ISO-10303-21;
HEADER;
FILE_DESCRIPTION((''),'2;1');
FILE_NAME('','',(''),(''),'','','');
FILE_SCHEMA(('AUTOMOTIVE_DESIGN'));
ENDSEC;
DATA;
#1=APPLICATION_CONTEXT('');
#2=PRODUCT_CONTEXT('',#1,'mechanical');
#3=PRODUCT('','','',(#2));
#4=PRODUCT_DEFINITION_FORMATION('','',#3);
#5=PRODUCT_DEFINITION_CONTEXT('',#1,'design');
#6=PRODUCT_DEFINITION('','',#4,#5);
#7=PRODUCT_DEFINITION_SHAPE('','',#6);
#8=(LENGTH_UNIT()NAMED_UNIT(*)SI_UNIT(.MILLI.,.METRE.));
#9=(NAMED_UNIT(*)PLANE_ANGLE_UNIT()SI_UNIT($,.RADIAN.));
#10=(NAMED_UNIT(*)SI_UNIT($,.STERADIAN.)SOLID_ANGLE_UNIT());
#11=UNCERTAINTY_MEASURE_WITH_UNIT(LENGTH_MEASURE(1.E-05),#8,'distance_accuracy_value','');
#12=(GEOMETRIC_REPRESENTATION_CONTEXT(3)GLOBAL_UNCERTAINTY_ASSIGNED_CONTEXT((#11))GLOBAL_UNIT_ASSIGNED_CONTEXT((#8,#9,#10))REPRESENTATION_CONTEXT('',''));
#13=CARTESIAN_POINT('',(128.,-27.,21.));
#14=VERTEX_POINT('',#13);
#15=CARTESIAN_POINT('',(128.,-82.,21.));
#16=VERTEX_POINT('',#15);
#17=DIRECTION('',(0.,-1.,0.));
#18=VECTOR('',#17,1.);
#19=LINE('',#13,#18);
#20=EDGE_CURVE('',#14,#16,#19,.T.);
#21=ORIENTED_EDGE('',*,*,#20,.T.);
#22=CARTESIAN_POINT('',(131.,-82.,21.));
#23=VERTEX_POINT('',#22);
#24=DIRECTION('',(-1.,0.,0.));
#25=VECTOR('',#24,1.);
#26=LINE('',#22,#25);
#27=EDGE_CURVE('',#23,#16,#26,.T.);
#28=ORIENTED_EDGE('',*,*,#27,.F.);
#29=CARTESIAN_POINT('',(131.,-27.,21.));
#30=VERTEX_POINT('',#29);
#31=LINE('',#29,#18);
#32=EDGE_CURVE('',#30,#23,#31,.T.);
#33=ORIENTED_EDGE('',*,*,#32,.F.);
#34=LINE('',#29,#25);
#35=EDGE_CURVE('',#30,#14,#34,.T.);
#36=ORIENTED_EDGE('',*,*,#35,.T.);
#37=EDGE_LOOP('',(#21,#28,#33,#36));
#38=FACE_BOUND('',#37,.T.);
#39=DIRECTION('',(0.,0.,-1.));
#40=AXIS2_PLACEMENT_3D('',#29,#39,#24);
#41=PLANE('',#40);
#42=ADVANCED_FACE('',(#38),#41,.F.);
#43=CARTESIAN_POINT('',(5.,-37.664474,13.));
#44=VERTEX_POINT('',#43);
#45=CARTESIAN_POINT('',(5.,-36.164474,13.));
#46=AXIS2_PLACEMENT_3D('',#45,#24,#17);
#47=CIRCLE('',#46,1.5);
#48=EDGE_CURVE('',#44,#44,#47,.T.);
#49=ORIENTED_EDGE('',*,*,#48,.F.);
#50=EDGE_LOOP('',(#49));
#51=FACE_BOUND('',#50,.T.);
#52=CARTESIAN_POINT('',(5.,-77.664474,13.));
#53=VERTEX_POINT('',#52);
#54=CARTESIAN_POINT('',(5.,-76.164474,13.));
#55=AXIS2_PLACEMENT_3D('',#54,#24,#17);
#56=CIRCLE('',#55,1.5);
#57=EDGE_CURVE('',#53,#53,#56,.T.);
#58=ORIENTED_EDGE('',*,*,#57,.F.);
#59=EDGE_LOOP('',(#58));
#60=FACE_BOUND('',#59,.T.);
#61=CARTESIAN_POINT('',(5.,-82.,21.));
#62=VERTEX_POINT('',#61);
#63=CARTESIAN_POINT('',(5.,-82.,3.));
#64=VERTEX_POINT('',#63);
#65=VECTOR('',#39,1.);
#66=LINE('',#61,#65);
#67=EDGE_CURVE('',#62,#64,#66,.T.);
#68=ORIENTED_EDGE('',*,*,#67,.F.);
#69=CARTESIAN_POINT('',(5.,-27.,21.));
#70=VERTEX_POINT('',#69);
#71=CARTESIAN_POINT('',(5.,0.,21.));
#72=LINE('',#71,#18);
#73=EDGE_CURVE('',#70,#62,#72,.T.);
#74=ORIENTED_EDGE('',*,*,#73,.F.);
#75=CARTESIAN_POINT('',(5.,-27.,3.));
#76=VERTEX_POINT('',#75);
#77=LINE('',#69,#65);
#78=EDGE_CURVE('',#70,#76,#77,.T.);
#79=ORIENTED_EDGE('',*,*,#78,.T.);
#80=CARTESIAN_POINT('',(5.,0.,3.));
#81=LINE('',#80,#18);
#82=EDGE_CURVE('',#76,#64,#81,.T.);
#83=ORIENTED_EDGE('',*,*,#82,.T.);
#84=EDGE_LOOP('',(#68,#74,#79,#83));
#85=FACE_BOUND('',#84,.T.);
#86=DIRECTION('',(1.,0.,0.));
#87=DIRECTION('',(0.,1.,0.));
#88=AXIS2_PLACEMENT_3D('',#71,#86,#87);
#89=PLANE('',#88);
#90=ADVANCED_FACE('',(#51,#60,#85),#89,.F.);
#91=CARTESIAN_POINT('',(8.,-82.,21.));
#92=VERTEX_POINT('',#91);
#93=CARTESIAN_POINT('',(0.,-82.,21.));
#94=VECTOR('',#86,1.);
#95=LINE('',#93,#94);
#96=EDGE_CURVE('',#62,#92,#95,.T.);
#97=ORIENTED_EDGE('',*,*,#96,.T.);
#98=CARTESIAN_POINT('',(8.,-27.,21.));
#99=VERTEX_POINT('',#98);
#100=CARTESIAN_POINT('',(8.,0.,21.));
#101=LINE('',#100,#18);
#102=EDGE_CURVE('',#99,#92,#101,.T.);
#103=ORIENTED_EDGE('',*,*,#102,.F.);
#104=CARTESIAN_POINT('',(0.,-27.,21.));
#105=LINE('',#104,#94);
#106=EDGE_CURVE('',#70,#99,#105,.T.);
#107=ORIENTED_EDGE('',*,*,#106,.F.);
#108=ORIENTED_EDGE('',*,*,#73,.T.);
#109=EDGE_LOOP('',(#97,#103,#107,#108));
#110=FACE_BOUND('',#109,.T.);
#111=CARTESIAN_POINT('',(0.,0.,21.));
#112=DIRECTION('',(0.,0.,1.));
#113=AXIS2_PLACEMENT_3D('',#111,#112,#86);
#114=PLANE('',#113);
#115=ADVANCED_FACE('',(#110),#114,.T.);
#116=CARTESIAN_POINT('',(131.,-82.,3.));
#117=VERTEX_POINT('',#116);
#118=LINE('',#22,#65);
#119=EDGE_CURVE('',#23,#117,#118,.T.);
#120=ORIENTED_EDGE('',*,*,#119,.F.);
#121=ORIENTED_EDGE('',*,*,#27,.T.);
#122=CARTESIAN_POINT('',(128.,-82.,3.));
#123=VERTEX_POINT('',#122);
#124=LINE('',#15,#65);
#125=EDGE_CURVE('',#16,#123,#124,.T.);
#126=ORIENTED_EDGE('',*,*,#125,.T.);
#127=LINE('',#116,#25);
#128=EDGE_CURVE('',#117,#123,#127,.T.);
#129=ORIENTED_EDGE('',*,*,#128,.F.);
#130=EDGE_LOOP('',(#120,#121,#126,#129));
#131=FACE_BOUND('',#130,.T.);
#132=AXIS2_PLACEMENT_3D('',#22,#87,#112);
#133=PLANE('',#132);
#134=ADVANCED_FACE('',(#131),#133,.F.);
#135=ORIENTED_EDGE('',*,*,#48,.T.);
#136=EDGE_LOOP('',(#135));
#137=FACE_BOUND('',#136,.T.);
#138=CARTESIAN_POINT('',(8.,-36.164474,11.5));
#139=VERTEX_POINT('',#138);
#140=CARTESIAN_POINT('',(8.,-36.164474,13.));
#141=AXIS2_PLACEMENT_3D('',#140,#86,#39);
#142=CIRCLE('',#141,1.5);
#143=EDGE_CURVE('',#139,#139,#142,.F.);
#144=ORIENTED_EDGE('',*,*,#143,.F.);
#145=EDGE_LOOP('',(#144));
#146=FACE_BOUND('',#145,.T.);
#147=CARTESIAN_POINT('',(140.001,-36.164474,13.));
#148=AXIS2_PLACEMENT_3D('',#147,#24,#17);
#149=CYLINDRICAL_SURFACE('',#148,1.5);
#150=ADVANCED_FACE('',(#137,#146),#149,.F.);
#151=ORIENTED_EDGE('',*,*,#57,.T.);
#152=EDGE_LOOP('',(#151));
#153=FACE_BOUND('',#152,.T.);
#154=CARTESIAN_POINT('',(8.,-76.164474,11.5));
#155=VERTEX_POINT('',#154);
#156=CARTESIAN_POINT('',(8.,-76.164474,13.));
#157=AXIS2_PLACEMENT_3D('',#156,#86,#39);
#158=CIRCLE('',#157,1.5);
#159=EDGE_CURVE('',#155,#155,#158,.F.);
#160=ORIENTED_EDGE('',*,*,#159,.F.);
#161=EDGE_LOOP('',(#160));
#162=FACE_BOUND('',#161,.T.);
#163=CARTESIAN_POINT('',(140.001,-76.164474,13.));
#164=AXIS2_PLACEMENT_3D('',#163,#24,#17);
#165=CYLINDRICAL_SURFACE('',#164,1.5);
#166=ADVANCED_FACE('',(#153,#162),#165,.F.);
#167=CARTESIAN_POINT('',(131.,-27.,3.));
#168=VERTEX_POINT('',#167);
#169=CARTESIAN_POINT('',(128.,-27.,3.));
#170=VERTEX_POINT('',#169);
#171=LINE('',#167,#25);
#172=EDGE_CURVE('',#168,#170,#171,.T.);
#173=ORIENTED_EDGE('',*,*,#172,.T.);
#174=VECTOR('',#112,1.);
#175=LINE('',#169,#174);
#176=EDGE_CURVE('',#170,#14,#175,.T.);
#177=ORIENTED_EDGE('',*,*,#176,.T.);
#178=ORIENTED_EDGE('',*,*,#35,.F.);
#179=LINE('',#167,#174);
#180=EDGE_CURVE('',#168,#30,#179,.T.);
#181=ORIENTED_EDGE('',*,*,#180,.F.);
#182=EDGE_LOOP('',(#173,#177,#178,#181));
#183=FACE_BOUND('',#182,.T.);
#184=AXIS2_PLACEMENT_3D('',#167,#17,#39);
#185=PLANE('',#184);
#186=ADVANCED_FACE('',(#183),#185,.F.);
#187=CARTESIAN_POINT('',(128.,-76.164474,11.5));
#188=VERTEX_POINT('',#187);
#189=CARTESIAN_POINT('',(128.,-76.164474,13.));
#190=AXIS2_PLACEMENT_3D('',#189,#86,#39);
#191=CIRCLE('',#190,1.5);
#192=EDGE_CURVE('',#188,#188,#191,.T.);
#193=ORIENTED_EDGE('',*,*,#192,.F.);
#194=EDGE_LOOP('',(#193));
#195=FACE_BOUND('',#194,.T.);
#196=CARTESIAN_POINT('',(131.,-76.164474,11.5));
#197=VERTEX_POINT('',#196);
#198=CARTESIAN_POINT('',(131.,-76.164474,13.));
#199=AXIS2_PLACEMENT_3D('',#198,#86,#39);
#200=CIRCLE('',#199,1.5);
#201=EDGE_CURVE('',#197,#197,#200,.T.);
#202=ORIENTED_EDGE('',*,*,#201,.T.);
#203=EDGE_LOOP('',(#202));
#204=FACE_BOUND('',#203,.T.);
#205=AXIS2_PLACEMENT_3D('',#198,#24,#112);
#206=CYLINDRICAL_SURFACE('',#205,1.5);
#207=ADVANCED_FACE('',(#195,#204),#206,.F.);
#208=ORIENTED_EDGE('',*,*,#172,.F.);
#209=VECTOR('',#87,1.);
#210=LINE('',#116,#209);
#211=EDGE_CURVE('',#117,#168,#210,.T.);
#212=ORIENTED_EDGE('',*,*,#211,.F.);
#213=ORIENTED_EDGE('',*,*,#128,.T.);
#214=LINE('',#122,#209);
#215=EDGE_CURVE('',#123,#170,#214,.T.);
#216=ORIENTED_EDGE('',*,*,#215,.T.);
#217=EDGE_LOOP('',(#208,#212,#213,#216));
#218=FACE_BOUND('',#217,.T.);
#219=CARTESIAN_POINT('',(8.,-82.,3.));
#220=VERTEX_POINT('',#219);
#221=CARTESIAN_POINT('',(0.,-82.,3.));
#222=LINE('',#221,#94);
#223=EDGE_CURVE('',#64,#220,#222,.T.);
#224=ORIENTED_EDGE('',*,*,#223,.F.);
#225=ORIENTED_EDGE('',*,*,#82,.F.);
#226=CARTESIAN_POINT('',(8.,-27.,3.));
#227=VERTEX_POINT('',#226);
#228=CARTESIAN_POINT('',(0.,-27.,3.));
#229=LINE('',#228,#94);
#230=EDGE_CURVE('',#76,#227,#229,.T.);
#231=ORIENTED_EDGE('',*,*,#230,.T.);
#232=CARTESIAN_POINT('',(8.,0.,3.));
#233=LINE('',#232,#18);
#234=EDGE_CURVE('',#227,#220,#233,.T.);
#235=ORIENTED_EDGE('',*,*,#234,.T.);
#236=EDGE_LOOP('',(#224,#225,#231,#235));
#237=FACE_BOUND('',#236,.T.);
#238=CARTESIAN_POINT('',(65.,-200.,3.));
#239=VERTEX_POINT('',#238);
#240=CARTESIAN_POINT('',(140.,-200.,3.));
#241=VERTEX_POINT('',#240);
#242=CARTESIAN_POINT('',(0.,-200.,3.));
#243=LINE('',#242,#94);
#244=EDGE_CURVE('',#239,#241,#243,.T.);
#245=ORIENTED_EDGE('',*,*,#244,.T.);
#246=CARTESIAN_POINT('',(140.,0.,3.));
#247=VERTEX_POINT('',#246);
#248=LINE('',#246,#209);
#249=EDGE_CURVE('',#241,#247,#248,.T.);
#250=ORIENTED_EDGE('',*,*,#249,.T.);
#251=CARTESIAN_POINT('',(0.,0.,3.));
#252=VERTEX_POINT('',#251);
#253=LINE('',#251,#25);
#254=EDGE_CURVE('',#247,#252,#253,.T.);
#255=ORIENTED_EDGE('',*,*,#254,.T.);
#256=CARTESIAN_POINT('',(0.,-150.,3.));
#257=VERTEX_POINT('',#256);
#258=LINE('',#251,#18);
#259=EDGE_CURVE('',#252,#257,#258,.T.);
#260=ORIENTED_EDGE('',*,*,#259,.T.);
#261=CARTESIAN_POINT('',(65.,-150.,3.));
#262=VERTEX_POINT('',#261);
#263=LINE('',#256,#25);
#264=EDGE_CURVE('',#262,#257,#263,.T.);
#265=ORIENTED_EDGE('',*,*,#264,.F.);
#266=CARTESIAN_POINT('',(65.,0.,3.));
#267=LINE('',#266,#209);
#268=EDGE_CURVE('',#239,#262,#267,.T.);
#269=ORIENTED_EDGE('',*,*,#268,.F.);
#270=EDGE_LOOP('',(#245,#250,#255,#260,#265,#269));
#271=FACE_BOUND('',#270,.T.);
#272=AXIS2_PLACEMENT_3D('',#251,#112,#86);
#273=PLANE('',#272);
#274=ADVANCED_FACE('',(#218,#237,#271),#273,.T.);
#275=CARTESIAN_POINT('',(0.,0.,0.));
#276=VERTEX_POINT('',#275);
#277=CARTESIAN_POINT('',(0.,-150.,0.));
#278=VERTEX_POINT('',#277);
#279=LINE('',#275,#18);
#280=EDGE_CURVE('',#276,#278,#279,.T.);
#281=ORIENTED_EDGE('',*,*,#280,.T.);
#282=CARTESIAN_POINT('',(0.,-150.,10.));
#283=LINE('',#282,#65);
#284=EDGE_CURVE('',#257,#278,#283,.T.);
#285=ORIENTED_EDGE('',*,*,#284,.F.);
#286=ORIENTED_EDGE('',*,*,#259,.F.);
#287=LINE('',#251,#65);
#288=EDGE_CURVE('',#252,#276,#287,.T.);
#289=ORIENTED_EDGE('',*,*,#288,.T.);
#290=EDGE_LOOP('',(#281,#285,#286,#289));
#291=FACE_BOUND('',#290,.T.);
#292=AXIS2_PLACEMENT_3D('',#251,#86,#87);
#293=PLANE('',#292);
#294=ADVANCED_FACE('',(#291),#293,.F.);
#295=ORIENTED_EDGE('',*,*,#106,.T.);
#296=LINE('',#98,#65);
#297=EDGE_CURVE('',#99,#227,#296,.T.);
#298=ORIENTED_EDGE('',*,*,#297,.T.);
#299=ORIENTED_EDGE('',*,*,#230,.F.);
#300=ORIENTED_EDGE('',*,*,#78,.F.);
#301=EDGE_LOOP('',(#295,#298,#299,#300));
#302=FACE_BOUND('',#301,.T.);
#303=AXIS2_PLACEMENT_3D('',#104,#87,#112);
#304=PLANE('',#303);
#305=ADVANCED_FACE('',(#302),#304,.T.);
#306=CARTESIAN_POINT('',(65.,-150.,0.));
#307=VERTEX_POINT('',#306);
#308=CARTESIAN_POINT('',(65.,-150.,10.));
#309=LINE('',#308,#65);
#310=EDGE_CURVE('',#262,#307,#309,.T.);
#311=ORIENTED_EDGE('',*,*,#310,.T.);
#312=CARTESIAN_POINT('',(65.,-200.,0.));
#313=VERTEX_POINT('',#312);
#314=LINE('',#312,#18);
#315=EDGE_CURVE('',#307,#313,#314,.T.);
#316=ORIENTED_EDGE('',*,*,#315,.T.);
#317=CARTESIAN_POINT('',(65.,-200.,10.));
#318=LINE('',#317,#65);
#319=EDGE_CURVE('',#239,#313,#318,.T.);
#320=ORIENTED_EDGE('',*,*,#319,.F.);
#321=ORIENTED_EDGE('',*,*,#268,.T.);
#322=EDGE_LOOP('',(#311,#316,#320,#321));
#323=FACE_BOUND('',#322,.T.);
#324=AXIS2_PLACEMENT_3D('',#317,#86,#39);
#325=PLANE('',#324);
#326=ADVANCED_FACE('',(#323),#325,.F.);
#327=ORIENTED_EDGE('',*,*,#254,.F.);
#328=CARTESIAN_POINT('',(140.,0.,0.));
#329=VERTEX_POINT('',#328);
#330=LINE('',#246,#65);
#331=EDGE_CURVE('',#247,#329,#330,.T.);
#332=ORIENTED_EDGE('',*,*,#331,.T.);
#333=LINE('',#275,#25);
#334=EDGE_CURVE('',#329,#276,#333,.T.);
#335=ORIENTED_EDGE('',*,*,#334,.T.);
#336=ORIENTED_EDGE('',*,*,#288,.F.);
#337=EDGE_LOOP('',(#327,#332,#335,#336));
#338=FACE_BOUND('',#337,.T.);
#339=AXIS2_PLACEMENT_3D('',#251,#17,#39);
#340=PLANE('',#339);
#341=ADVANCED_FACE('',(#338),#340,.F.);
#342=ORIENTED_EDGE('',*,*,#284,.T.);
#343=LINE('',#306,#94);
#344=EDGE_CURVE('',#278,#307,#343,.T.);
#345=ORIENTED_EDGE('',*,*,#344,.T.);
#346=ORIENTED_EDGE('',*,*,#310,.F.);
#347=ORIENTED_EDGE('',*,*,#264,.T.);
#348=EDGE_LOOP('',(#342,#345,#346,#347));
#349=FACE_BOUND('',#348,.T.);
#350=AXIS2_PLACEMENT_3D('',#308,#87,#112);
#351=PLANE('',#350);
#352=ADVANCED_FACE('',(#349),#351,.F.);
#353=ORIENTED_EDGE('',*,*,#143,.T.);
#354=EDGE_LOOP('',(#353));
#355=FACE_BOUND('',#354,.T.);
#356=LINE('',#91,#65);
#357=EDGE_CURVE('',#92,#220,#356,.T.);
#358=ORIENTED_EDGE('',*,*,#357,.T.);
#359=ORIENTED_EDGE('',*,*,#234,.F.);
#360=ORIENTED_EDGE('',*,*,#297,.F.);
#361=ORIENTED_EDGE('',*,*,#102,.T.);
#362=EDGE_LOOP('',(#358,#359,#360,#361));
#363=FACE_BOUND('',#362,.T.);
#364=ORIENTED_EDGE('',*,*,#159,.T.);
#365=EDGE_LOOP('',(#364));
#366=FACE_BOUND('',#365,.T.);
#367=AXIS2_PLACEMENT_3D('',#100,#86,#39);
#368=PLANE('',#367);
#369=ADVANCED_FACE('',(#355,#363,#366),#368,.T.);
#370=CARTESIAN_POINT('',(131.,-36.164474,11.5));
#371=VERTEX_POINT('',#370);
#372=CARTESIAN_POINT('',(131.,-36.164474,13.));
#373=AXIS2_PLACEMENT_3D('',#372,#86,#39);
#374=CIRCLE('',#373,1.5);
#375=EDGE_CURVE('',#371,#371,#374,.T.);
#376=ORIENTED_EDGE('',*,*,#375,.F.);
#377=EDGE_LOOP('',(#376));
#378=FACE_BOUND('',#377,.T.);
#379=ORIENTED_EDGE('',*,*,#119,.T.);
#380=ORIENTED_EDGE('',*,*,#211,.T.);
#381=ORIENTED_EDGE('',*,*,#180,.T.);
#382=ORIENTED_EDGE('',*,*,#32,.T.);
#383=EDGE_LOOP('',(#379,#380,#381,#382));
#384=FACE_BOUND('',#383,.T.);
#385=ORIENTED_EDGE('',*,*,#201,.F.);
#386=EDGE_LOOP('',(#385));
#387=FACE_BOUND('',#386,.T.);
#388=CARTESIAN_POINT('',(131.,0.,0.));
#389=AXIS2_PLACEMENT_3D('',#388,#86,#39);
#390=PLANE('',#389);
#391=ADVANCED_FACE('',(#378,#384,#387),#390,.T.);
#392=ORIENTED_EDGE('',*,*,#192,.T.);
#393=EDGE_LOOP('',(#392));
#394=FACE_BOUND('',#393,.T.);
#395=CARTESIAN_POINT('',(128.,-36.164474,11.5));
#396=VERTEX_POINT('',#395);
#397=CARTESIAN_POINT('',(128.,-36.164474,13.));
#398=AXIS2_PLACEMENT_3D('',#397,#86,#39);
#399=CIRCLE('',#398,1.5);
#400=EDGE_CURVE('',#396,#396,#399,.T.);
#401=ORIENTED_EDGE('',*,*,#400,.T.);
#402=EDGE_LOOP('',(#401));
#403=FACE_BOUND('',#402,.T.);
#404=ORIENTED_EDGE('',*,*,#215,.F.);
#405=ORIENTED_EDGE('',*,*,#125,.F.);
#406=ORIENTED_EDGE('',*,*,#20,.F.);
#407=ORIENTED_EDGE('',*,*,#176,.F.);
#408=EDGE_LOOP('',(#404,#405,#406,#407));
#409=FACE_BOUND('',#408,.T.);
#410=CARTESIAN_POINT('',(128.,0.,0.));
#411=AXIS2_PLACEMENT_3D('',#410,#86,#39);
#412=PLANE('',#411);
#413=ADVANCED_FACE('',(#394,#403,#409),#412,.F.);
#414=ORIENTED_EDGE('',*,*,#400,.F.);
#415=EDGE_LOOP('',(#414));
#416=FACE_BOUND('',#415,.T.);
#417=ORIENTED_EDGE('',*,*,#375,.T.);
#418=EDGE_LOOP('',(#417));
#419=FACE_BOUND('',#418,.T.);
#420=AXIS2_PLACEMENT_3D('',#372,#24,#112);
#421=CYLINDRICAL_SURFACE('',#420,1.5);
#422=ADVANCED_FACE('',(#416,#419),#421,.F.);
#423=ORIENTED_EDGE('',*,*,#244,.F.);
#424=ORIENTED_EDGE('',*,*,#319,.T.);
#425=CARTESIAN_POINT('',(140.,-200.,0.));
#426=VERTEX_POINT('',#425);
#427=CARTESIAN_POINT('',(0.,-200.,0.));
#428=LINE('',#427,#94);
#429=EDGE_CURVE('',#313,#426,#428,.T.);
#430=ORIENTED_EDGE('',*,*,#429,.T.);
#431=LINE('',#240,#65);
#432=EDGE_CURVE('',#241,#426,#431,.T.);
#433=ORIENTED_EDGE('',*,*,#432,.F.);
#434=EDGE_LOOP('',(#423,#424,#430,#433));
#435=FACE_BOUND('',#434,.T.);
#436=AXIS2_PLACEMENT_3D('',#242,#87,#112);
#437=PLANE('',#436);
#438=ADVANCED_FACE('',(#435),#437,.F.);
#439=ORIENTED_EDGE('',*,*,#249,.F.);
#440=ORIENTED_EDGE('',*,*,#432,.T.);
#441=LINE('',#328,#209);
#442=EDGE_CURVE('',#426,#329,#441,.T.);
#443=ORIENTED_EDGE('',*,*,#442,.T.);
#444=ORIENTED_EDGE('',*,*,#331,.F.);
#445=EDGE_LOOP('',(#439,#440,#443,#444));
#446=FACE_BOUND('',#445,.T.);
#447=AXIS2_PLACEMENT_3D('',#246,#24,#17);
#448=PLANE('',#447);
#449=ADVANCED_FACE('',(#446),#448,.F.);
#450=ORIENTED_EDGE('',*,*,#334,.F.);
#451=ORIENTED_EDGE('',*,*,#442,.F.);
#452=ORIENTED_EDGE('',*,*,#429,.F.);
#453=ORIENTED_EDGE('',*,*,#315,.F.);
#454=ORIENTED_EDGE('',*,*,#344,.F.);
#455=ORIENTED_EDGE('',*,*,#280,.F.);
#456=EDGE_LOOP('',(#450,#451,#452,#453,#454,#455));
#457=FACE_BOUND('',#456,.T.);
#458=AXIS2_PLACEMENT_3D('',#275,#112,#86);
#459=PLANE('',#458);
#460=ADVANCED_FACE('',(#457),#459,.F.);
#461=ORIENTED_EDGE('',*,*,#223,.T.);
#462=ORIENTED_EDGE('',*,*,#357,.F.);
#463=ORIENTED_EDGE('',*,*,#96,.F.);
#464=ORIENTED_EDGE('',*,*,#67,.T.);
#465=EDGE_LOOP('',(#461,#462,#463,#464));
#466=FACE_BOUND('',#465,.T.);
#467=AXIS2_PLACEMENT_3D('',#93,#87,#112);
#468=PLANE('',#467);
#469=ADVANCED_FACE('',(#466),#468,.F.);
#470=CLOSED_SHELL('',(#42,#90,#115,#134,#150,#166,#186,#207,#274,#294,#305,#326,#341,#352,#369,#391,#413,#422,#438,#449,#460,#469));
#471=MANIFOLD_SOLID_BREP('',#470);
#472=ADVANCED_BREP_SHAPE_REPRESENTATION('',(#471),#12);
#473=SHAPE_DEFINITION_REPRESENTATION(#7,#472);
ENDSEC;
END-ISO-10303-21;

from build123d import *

# Parameters (mm, degrees)
SKETCH_1_W          = 140
SKETCH_1_H          = 200
EXTRUDE_1_DEPTH     = 3
SKETCH_2_W          = 65
SKETCH_2_H          = 50
CUT_EXTRUDE_1_DEPTH = 10
SKETCH_4_W          = 3
SKETCH_4_H          = 55
EXTRUDE_4_DEPTH     = 18
CUT_EXTRUDE_2_REACH = 244.211
SKETCH_5_R          = 1.5
SKETCH_6_W          = 18
SKETCH_6_H          = 55
SKETCH_6_R          = 1.5
EXTRUDE_6_DEPTH     = 3


with BuildPart() as part:
    # 草图1 → 凸台-拉伸1 (new body)
    with BuildSketch(Plane.XY):
        with Locations((70, -100)):
            Rectangle(SKETCH_1_W, SKETCH_1_H)
    extrude(amount=EXTRUDE_1_DEPTH)

    # 草图2 → 切除-拉伸1 (cut)
    with BuildSketch(Plane(origin=(0, 0, 0), x_dir=(-1, 0, 0), z_dir=(0, 0, -1))):
        with Locations((-32.5, -175)):
            Rectangle(SKETCH_2_W, SKETCH_2_H)
    extrude(amount=-CUT_EXTRUDE_1_DEPTH, mode=Mode.SUBTRACT)

    # 草图4 → 凸台-拉伸4 (add)
    with BuildSketch(Plane.XY.offset(3)):
        with Locations((6.5, -54.5)):
            Rectangle(SKETCH_4_W, SKETCH_4_H)
    extrude(amount=EXTRUDE_4_DEPTH)

    # 草图5 → 切除-拉伸2 (cut, up to next)
    with BuildSketch(Plane.ZY.offset(-5), mode=Mode.PRIVATE) as cut_extrude_2_sk1:
        with Locations(Location((13, -76.16447412, 0), (0, 0, 270))):
            Circle(SKETCH_5_R)
    cut_extrude_2_tool1 = extrude(cut_extrude_2_sk1.sketch, amount=-CUT_EXTRUDE_2_REACH, mode=Mode.PRIVATE) & part.part
    # 草图5 → 切除-拉伸2 (cut, up to next)
    with BuildSketch(Plane.ZY.offset(-5), mode=Mode.PRIVATE) as cut_extrude_2_sk2:
        with Locations(Location((13, -36.16447412, 0), (0, 0, 270))):
            Circle(SKETCH_5_R)
    cut_extrude_2_tool2 = extrude(cut_extrude_2_sk2.sketch, amount=-CUT_EXTRUDE_2_REACH, mode=Mode.PRIVATE) & part.part
    add(cut_extrude_2_tool1.solids().sort_by_distance((5, -76.164474, 13))[0], mode=Mode.SUBTRACT)
    add(cut_extrude_2_tool2.solids().sort_by_distance((5, -36.164474, 13))[0], mode=Mode.SUBTRACT)

    # 草图6 → 凸台-拉伸6 (add)
    with BuildSketch(Plane(origin=(128, 0, 0), x_dir=(0, 0, -1), z_dir=(1, 0, 0))):
        with Locations((-12, -54.5)):
            Rectangle(SKETCH_6_W, SKETCH_6_H)
        with Locations(Location((-13, -76.16447412, 0), (0, 0, 270))):
            Circle(SKETCH_6_R, mode=Mode.SUBTRACT)
        with Locations(Location((-13, -36.16447412, 0), (0, 0, 270))):
            Circle(SKETCH_6_R, mode=Mode.SUBTRACT)
    extrude(amount=EXTRUDE_6_DEPTH)


solid = part.part
